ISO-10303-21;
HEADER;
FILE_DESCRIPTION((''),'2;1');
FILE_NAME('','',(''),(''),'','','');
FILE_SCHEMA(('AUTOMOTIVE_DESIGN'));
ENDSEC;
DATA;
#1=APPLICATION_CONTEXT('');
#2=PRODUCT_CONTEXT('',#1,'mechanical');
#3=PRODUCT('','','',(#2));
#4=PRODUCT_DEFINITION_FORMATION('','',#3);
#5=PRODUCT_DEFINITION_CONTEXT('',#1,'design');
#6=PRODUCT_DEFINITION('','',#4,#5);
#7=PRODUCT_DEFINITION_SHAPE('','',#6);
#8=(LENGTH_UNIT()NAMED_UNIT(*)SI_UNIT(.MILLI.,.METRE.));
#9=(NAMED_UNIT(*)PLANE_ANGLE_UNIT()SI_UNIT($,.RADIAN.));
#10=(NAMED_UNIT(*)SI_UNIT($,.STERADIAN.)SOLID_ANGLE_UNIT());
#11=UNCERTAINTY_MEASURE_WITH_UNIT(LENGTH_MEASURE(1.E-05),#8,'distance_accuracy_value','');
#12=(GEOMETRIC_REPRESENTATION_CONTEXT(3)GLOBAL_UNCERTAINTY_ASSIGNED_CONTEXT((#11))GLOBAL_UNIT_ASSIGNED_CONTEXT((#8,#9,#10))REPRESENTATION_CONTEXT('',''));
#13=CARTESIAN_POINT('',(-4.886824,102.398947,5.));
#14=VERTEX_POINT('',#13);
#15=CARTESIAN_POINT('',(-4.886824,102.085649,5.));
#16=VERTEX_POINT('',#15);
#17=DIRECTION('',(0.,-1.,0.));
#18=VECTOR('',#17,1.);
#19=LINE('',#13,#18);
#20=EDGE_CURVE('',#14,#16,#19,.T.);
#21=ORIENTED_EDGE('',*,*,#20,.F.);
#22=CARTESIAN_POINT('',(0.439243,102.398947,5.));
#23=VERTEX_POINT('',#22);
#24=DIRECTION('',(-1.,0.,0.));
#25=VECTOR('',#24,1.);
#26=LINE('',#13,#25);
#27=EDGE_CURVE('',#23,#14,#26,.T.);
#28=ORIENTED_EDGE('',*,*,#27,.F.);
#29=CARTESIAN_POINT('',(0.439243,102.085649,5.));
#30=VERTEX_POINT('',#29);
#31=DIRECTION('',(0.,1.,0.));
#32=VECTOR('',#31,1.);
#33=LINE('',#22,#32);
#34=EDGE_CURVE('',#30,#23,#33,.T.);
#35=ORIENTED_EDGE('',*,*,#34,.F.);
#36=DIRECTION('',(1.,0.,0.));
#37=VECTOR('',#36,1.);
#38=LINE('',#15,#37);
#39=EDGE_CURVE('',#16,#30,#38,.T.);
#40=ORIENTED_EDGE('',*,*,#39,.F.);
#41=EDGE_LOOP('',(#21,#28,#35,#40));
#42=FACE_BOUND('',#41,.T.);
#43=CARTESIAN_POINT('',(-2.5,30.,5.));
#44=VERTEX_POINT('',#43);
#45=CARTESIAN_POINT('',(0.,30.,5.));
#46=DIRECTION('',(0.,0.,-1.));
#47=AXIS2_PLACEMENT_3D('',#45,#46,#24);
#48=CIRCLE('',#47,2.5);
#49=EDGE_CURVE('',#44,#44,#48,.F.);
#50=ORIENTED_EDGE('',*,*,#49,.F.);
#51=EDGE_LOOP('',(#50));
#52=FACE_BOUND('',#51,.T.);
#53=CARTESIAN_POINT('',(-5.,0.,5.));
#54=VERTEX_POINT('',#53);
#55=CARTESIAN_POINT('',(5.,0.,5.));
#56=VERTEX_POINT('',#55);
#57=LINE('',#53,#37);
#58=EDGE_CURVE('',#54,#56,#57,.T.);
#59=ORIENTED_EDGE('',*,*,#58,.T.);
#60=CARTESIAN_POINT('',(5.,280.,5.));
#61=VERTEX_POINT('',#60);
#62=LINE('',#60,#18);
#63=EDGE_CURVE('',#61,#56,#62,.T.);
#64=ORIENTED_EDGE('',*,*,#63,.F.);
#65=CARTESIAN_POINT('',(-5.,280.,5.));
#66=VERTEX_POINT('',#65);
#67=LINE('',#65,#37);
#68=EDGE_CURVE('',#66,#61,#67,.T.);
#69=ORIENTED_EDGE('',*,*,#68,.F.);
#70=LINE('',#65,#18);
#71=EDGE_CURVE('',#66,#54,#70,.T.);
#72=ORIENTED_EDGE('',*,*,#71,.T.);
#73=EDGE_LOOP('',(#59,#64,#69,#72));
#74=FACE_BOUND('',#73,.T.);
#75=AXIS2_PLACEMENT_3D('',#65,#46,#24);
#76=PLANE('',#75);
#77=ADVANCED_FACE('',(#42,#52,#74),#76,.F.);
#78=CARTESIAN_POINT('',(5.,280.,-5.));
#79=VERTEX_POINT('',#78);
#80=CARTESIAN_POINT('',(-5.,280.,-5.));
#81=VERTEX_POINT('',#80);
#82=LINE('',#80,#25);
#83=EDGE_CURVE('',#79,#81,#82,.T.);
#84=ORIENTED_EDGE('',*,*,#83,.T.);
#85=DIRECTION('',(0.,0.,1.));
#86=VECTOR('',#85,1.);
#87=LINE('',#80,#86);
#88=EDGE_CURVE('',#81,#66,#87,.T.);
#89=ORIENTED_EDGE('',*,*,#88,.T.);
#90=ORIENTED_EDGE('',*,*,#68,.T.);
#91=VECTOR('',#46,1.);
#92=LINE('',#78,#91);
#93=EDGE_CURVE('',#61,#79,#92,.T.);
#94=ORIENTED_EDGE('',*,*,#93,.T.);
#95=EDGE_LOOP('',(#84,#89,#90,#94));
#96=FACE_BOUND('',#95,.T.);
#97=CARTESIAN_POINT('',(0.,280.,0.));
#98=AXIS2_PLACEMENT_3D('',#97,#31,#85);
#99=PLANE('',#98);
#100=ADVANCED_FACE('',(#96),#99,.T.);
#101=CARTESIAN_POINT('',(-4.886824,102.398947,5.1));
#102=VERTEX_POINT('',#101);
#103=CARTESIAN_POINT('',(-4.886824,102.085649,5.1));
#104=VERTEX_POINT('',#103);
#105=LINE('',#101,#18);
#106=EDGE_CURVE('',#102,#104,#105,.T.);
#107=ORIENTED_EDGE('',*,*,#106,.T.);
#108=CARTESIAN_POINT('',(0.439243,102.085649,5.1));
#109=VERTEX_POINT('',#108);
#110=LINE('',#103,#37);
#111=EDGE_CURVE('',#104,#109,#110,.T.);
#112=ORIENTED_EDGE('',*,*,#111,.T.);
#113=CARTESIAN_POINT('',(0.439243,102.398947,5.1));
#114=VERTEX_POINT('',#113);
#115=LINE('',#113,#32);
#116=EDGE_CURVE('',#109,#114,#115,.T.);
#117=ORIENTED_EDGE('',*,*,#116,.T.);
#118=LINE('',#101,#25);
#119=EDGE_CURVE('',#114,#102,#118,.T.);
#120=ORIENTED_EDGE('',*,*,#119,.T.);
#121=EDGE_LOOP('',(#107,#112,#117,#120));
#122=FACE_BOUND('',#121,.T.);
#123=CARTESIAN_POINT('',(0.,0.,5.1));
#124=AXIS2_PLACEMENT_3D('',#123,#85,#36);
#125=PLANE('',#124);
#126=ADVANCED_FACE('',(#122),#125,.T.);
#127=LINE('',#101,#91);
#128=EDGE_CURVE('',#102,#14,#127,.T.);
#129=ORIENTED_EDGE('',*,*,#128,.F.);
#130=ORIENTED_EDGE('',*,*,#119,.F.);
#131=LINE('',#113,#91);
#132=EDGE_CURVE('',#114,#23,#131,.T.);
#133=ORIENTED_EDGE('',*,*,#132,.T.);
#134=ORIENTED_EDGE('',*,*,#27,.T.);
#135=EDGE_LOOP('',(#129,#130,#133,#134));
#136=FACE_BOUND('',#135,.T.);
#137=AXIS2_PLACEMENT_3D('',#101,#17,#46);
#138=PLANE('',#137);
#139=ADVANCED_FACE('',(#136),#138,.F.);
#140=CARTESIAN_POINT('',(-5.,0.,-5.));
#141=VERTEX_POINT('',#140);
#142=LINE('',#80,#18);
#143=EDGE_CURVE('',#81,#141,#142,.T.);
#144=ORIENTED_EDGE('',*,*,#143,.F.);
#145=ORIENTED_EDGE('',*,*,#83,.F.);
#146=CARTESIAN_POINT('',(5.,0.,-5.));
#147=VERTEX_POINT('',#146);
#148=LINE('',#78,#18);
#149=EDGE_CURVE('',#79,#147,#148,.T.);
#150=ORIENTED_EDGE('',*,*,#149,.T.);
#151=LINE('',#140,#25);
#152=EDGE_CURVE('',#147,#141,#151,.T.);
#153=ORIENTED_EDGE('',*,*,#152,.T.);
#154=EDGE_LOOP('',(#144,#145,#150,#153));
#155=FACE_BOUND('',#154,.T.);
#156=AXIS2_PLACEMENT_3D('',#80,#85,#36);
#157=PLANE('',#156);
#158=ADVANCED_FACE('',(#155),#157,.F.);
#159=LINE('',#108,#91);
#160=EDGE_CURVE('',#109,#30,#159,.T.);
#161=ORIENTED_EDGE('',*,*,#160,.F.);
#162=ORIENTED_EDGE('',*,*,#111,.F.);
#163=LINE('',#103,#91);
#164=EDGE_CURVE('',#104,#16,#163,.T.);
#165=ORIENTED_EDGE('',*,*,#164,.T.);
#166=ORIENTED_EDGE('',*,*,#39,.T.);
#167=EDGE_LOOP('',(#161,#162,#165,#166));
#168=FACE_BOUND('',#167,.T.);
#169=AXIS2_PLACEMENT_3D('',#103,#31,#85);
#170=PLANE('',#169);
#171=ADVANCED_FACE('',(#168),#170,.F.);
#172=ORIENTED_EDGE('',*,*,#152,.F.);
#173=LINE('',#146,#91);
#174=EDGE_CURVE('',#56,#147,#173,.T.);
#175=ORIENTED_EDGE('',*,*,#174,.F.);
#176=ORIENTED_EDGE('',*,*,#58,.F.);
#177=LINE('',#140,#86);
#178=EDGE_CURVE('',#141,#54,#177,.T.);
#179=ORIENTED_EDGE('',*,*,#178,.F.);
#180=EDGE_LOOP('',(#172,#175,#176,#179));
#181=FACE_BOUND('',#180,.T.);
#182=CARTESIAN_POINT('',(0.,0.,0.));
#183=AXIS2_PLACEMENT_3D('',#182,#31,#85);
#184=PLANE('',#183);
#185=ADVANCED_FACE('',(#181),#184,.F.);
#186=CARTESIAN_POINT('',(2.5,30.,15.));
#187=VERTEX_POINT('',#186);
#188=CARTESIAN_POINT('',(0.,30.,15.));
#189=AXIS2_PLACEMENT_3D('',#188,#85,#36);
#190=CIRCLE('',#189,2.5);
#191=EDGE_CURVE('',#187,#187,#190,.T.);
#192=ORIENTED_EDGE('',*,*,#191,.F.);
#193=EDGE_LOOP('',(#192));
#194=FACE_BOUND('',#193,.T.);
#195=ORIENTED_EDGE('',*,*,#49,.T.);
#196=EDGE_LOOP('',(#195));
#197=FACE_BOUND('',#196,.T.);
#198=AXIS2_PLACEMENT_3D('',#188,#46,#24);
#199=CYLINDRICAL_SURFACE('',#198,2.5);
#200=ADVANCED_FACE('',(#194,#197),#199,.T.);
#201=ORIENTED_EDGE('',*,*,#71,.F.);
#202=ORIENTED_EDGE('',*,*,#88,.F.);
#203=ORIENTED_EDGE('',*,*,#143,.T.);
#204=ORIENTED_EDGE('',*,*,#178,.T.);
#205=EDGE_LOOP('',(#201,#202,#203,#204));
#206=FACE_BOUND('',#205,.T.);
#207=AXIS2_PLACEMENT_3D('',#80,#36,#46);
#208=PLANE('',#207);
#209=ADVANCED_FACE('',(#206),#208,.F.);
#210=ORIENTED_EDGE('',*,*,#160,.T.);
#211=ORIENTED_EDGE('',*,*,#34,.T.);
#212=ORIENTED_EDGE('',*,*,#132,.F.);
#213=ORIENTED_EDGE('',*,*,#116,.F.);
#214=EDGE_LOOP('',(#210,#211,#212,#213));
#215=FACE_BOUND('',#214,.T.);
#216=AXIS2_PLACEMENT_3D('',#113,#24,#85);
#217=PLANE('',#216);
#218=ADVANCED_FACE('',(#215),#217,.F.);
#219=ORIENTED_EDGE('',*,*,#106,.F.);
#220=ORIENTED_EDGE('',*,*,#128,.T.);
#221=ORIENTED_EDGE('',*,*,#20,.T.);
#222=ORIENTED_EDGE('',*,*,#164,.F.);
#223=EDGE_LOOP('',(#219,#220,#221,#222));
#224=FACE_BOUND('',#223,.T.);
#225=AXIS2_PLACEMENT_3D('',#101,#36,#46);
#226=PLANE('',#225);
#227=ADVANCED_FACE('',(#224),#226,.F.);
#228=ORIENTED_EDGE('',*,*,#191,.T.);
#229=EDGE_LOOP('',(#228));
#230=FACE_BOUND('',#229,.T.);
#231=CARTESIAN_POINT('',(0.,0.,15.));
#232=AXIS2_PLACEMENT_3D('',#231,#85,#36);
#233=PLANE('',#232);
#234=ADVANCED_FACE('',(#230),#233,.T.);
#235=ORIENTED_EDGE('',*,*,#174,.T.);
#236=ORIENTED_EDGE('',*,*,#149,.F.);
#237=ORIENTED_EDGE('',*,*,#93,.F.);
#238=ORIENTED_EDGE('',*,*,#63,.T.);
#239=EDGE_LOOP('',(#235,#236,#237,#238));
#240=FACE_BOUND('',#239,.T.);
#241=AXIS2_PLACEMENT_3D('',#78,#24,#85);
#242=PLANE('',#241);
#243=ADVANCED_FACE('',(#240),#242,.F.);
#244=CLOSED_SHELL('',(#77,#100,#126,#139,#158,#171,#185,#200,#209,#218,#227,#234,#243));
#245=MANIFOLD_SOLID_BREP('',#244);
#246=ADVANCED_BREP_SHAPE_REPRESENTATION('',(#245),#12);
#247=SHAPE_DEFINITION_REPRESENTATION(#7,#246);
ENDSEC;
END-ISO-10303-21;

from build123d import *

# Parameters (mm, degrees)
SKETCH_1_W      = 10
SKETCH_1_H      = 10
EXTRUDE_1_DEPTH = 280
SKETCH_2_R      = 2.5
EXTRUDE_2_DEPTH = 10
SKETCH_3_W      = 5.326066841
SKETCH_3_H      = 0.31329805
EXTRUDE_3_DEPTH = 0.1


with BuildPart() as part:
    # 草图1 → 凸台-拉伸1 (new body)
    with BuildSketch(Plane(origin=(0, 0, 0), x_dir=(1, 0, 0), z_dir=(0, 1, 0))):
        Rectangle(SKETCH_1_W, SKETCH_1_H)
    extrude(amount=EXTRUDE_1_DEPTH)

    # 草图2 → 凸台-拉伸2 (add)
    with BuildSketch(Plane.XY.offset(5)):
        with Locations(Location((0, 30, 0), (0, 0, 180))):
            Circle(SKETCH_2_R)
    extrude(amount=EXTRUDE_2_DEPTH)

    # 草图3 → 凸台-拉伸3 (add)
    with BuildSketch(Plane.XY.offset(5)):
        with Locations((-2.223790566, 102.242298207)):
            Rectangle(SKETCH_3_W, SKETCH_3_H)
    extrude(amount=EXTRUDE_3_DEPTH)


solid = part.part
